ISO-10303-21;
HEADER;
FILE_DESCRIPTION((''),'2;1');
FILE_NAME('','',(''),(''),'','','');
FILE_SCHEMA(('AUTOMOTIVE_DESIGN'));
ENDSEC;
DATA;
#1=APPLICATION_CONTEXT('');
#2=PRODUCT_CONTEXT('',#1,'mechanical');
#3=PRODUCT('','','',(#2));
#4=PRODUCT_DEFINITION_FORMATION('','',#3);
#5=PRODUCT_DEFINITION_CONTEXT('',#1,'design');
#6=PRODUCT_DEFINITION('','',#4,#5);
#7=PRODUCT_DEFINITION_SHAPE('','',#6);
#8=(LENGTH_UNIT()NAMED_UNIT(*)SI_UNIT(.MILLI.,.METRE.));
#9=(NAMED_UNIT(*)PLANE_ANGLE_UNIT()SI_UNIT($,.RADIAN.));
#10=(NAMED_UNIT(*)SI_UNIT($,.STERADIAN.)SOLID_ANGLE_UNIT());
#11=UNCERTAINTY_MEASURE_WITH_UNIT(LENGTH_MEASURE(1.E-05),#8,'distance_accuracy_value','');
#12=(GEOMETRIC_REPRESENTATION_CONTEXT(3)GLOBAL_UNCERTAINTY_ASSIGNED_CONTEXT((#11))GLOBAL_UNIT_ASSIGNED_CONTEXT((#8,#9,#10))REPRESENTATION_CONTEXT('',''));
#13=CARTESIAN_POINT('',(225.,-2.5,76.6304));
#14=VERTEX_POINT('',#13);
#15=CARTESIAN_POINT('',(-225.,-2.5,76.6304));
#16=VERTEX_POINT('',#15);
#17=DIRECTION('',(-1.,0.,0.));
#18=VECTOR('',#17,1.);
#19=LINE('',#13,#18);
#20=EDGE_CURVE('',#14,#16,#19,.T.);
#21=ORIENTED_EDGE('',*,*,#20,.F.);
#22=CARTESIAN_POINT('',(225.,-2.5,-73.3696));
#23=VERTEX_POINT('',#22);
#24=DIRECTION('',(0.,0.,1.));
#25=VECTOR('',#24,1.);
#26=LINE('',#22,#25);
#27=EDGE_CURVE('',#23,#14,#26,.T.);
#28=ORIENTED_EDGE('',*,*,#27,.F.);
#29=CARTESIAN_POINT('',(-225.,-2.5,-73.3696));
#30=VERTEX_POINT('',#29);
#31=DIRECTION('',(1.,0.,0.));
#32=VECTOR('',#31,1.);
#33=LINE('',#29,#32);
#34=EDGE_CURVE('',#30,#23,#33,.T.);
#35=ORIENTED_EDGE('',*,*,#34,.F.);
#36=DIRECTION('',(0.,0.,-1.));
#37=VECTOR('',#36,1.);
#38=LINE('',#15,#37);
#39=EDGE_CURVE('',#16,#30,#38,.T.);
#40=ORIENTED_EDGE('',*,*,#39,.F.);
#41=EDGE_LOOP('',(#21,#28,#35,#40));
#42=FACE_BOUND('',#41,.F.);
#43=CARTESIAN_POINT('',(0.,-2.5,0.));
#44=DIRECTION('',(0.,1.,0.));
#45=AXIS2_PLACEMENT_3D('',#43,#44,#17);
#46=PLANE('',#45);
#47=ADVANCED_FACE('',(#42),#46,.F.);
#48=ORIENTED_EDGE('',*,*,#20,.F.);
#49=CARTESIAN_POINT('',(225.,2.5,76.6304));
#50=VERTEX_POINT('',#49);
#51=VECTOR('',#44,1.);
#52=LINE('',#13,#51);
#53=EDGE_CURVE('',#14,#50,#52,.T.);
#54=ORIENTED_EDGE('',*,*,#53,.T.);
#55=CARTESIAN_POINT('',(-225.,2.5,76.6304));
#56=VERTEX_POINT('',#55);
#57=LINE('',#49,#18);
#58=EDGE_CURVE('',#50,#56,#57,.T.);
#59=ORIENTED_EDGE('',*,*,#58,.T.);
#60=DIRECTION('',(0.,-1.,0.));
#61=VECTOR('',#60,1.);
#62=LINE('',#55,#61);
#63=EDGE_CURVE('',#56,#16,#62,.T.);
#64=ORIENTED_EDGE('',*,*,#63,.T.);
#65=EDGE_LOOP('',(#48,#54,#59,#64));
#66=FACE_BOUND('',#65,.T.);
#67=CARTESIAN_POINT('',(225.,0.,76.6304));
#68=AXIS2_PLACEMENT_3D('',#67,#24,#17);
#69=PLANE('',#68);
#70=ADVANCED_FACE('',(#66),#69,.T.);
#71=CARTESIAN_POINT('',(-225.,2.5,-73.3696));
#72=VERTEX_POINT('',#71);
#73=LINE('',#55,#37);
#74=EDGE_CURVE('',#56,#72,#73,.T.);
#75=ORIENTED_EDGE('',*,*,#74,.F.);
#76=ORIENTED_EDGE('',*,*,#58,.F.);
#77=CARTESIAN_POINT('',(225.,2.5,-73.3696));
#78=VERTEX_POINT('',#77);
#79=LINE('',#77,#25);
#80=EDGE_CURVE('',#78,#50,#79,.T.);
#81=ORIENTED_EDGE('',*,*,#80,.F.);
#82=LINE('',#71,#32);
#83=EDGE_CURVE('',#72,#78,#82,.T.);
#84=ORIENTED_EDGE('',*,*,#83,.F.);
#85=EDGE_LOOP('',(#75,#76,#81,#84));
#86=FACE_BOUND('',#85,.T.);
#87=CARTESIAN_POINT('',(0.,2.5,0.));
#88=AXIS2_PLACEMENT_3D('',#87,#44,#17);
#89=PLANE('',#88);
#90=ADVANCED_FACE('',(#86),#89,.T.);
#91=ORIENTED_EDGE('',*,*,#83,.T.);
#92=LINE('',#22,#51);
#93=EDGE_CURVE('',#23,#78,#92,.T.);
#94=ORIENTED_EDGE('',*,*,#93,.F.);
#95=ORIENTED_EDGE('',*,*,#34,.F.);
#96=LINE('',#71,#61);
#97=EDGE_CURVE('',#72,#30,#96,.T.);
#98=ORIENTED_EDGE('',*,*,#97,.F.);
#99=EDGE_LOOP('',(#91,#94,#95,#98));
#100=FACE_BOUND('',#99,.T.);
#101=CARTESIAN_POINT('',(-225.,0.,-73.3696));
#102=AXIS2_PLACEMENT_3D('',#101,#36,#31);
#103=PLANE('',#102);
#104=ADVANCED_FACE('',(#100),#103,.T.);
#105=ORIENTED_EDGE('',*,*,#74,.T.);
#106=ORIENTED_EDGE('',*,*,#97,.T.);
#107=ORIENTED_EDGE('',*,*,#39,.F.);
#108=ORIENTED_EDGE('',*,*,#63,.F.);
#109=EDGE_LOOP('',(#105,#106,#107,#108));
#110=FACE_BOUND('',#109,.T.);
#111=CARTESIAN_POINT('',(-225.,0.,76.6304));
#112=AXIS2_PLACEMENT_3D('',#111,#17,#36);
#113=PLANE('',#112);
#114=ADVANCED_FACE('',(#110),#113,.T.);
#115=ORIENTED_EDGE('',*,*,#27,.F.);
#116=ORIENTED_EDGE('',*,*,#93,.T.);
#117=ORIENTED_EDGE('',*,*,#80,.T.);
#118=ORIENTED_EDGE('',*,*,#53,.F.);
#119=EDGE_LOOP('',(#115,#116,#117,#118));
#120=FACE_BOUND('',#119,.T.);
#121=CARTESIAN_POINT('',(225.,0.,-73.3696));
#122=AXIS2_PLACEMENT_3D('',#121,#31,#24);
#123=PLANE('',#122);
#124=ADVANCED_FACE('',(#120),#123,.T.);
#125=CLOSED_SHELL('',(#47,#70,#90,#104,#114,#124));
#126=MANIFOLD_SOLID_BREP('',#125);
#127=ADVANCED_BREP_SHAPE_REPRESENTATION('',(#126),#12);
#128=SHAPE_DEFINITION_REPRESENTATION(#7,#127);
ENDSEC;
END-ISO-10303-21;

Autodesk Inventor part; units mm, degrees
ref_plane "YZ Plane" through (0, 0, 0) normal (1, 0, 0) x (0, 1, 0)
ref_plane "XZ Plane" through (0, 0, 0) normal (0, 1, 0) x (-1, 0, 0)
ref_plane "XY Plane" through (0, 0, 0) normal (0, 0, 1) x (1, 0, 0)
sketch "Sketch1" plane through (0, 0, 0) normal (0, 1, 0) x (-1, 0, 0)
  line L0 (-225, 76.6304) -> (225, 76.6304)
  line L1 (225, 76.6304) -> (225, -73.3696)
  line L2 (225, -73.3696) -> (-225, -73.3696)
  line L3 (-225, -73.3696) -> (-225, 76.6304)
  point P0 (0, 0)
  dimension "d4" = 450
  dimension "d5" = 150
extrude "Extrusion1" add sketch "Sketch1" along normal mid plane 5
properties part number "new topsides" material "PMMA Plastic"
